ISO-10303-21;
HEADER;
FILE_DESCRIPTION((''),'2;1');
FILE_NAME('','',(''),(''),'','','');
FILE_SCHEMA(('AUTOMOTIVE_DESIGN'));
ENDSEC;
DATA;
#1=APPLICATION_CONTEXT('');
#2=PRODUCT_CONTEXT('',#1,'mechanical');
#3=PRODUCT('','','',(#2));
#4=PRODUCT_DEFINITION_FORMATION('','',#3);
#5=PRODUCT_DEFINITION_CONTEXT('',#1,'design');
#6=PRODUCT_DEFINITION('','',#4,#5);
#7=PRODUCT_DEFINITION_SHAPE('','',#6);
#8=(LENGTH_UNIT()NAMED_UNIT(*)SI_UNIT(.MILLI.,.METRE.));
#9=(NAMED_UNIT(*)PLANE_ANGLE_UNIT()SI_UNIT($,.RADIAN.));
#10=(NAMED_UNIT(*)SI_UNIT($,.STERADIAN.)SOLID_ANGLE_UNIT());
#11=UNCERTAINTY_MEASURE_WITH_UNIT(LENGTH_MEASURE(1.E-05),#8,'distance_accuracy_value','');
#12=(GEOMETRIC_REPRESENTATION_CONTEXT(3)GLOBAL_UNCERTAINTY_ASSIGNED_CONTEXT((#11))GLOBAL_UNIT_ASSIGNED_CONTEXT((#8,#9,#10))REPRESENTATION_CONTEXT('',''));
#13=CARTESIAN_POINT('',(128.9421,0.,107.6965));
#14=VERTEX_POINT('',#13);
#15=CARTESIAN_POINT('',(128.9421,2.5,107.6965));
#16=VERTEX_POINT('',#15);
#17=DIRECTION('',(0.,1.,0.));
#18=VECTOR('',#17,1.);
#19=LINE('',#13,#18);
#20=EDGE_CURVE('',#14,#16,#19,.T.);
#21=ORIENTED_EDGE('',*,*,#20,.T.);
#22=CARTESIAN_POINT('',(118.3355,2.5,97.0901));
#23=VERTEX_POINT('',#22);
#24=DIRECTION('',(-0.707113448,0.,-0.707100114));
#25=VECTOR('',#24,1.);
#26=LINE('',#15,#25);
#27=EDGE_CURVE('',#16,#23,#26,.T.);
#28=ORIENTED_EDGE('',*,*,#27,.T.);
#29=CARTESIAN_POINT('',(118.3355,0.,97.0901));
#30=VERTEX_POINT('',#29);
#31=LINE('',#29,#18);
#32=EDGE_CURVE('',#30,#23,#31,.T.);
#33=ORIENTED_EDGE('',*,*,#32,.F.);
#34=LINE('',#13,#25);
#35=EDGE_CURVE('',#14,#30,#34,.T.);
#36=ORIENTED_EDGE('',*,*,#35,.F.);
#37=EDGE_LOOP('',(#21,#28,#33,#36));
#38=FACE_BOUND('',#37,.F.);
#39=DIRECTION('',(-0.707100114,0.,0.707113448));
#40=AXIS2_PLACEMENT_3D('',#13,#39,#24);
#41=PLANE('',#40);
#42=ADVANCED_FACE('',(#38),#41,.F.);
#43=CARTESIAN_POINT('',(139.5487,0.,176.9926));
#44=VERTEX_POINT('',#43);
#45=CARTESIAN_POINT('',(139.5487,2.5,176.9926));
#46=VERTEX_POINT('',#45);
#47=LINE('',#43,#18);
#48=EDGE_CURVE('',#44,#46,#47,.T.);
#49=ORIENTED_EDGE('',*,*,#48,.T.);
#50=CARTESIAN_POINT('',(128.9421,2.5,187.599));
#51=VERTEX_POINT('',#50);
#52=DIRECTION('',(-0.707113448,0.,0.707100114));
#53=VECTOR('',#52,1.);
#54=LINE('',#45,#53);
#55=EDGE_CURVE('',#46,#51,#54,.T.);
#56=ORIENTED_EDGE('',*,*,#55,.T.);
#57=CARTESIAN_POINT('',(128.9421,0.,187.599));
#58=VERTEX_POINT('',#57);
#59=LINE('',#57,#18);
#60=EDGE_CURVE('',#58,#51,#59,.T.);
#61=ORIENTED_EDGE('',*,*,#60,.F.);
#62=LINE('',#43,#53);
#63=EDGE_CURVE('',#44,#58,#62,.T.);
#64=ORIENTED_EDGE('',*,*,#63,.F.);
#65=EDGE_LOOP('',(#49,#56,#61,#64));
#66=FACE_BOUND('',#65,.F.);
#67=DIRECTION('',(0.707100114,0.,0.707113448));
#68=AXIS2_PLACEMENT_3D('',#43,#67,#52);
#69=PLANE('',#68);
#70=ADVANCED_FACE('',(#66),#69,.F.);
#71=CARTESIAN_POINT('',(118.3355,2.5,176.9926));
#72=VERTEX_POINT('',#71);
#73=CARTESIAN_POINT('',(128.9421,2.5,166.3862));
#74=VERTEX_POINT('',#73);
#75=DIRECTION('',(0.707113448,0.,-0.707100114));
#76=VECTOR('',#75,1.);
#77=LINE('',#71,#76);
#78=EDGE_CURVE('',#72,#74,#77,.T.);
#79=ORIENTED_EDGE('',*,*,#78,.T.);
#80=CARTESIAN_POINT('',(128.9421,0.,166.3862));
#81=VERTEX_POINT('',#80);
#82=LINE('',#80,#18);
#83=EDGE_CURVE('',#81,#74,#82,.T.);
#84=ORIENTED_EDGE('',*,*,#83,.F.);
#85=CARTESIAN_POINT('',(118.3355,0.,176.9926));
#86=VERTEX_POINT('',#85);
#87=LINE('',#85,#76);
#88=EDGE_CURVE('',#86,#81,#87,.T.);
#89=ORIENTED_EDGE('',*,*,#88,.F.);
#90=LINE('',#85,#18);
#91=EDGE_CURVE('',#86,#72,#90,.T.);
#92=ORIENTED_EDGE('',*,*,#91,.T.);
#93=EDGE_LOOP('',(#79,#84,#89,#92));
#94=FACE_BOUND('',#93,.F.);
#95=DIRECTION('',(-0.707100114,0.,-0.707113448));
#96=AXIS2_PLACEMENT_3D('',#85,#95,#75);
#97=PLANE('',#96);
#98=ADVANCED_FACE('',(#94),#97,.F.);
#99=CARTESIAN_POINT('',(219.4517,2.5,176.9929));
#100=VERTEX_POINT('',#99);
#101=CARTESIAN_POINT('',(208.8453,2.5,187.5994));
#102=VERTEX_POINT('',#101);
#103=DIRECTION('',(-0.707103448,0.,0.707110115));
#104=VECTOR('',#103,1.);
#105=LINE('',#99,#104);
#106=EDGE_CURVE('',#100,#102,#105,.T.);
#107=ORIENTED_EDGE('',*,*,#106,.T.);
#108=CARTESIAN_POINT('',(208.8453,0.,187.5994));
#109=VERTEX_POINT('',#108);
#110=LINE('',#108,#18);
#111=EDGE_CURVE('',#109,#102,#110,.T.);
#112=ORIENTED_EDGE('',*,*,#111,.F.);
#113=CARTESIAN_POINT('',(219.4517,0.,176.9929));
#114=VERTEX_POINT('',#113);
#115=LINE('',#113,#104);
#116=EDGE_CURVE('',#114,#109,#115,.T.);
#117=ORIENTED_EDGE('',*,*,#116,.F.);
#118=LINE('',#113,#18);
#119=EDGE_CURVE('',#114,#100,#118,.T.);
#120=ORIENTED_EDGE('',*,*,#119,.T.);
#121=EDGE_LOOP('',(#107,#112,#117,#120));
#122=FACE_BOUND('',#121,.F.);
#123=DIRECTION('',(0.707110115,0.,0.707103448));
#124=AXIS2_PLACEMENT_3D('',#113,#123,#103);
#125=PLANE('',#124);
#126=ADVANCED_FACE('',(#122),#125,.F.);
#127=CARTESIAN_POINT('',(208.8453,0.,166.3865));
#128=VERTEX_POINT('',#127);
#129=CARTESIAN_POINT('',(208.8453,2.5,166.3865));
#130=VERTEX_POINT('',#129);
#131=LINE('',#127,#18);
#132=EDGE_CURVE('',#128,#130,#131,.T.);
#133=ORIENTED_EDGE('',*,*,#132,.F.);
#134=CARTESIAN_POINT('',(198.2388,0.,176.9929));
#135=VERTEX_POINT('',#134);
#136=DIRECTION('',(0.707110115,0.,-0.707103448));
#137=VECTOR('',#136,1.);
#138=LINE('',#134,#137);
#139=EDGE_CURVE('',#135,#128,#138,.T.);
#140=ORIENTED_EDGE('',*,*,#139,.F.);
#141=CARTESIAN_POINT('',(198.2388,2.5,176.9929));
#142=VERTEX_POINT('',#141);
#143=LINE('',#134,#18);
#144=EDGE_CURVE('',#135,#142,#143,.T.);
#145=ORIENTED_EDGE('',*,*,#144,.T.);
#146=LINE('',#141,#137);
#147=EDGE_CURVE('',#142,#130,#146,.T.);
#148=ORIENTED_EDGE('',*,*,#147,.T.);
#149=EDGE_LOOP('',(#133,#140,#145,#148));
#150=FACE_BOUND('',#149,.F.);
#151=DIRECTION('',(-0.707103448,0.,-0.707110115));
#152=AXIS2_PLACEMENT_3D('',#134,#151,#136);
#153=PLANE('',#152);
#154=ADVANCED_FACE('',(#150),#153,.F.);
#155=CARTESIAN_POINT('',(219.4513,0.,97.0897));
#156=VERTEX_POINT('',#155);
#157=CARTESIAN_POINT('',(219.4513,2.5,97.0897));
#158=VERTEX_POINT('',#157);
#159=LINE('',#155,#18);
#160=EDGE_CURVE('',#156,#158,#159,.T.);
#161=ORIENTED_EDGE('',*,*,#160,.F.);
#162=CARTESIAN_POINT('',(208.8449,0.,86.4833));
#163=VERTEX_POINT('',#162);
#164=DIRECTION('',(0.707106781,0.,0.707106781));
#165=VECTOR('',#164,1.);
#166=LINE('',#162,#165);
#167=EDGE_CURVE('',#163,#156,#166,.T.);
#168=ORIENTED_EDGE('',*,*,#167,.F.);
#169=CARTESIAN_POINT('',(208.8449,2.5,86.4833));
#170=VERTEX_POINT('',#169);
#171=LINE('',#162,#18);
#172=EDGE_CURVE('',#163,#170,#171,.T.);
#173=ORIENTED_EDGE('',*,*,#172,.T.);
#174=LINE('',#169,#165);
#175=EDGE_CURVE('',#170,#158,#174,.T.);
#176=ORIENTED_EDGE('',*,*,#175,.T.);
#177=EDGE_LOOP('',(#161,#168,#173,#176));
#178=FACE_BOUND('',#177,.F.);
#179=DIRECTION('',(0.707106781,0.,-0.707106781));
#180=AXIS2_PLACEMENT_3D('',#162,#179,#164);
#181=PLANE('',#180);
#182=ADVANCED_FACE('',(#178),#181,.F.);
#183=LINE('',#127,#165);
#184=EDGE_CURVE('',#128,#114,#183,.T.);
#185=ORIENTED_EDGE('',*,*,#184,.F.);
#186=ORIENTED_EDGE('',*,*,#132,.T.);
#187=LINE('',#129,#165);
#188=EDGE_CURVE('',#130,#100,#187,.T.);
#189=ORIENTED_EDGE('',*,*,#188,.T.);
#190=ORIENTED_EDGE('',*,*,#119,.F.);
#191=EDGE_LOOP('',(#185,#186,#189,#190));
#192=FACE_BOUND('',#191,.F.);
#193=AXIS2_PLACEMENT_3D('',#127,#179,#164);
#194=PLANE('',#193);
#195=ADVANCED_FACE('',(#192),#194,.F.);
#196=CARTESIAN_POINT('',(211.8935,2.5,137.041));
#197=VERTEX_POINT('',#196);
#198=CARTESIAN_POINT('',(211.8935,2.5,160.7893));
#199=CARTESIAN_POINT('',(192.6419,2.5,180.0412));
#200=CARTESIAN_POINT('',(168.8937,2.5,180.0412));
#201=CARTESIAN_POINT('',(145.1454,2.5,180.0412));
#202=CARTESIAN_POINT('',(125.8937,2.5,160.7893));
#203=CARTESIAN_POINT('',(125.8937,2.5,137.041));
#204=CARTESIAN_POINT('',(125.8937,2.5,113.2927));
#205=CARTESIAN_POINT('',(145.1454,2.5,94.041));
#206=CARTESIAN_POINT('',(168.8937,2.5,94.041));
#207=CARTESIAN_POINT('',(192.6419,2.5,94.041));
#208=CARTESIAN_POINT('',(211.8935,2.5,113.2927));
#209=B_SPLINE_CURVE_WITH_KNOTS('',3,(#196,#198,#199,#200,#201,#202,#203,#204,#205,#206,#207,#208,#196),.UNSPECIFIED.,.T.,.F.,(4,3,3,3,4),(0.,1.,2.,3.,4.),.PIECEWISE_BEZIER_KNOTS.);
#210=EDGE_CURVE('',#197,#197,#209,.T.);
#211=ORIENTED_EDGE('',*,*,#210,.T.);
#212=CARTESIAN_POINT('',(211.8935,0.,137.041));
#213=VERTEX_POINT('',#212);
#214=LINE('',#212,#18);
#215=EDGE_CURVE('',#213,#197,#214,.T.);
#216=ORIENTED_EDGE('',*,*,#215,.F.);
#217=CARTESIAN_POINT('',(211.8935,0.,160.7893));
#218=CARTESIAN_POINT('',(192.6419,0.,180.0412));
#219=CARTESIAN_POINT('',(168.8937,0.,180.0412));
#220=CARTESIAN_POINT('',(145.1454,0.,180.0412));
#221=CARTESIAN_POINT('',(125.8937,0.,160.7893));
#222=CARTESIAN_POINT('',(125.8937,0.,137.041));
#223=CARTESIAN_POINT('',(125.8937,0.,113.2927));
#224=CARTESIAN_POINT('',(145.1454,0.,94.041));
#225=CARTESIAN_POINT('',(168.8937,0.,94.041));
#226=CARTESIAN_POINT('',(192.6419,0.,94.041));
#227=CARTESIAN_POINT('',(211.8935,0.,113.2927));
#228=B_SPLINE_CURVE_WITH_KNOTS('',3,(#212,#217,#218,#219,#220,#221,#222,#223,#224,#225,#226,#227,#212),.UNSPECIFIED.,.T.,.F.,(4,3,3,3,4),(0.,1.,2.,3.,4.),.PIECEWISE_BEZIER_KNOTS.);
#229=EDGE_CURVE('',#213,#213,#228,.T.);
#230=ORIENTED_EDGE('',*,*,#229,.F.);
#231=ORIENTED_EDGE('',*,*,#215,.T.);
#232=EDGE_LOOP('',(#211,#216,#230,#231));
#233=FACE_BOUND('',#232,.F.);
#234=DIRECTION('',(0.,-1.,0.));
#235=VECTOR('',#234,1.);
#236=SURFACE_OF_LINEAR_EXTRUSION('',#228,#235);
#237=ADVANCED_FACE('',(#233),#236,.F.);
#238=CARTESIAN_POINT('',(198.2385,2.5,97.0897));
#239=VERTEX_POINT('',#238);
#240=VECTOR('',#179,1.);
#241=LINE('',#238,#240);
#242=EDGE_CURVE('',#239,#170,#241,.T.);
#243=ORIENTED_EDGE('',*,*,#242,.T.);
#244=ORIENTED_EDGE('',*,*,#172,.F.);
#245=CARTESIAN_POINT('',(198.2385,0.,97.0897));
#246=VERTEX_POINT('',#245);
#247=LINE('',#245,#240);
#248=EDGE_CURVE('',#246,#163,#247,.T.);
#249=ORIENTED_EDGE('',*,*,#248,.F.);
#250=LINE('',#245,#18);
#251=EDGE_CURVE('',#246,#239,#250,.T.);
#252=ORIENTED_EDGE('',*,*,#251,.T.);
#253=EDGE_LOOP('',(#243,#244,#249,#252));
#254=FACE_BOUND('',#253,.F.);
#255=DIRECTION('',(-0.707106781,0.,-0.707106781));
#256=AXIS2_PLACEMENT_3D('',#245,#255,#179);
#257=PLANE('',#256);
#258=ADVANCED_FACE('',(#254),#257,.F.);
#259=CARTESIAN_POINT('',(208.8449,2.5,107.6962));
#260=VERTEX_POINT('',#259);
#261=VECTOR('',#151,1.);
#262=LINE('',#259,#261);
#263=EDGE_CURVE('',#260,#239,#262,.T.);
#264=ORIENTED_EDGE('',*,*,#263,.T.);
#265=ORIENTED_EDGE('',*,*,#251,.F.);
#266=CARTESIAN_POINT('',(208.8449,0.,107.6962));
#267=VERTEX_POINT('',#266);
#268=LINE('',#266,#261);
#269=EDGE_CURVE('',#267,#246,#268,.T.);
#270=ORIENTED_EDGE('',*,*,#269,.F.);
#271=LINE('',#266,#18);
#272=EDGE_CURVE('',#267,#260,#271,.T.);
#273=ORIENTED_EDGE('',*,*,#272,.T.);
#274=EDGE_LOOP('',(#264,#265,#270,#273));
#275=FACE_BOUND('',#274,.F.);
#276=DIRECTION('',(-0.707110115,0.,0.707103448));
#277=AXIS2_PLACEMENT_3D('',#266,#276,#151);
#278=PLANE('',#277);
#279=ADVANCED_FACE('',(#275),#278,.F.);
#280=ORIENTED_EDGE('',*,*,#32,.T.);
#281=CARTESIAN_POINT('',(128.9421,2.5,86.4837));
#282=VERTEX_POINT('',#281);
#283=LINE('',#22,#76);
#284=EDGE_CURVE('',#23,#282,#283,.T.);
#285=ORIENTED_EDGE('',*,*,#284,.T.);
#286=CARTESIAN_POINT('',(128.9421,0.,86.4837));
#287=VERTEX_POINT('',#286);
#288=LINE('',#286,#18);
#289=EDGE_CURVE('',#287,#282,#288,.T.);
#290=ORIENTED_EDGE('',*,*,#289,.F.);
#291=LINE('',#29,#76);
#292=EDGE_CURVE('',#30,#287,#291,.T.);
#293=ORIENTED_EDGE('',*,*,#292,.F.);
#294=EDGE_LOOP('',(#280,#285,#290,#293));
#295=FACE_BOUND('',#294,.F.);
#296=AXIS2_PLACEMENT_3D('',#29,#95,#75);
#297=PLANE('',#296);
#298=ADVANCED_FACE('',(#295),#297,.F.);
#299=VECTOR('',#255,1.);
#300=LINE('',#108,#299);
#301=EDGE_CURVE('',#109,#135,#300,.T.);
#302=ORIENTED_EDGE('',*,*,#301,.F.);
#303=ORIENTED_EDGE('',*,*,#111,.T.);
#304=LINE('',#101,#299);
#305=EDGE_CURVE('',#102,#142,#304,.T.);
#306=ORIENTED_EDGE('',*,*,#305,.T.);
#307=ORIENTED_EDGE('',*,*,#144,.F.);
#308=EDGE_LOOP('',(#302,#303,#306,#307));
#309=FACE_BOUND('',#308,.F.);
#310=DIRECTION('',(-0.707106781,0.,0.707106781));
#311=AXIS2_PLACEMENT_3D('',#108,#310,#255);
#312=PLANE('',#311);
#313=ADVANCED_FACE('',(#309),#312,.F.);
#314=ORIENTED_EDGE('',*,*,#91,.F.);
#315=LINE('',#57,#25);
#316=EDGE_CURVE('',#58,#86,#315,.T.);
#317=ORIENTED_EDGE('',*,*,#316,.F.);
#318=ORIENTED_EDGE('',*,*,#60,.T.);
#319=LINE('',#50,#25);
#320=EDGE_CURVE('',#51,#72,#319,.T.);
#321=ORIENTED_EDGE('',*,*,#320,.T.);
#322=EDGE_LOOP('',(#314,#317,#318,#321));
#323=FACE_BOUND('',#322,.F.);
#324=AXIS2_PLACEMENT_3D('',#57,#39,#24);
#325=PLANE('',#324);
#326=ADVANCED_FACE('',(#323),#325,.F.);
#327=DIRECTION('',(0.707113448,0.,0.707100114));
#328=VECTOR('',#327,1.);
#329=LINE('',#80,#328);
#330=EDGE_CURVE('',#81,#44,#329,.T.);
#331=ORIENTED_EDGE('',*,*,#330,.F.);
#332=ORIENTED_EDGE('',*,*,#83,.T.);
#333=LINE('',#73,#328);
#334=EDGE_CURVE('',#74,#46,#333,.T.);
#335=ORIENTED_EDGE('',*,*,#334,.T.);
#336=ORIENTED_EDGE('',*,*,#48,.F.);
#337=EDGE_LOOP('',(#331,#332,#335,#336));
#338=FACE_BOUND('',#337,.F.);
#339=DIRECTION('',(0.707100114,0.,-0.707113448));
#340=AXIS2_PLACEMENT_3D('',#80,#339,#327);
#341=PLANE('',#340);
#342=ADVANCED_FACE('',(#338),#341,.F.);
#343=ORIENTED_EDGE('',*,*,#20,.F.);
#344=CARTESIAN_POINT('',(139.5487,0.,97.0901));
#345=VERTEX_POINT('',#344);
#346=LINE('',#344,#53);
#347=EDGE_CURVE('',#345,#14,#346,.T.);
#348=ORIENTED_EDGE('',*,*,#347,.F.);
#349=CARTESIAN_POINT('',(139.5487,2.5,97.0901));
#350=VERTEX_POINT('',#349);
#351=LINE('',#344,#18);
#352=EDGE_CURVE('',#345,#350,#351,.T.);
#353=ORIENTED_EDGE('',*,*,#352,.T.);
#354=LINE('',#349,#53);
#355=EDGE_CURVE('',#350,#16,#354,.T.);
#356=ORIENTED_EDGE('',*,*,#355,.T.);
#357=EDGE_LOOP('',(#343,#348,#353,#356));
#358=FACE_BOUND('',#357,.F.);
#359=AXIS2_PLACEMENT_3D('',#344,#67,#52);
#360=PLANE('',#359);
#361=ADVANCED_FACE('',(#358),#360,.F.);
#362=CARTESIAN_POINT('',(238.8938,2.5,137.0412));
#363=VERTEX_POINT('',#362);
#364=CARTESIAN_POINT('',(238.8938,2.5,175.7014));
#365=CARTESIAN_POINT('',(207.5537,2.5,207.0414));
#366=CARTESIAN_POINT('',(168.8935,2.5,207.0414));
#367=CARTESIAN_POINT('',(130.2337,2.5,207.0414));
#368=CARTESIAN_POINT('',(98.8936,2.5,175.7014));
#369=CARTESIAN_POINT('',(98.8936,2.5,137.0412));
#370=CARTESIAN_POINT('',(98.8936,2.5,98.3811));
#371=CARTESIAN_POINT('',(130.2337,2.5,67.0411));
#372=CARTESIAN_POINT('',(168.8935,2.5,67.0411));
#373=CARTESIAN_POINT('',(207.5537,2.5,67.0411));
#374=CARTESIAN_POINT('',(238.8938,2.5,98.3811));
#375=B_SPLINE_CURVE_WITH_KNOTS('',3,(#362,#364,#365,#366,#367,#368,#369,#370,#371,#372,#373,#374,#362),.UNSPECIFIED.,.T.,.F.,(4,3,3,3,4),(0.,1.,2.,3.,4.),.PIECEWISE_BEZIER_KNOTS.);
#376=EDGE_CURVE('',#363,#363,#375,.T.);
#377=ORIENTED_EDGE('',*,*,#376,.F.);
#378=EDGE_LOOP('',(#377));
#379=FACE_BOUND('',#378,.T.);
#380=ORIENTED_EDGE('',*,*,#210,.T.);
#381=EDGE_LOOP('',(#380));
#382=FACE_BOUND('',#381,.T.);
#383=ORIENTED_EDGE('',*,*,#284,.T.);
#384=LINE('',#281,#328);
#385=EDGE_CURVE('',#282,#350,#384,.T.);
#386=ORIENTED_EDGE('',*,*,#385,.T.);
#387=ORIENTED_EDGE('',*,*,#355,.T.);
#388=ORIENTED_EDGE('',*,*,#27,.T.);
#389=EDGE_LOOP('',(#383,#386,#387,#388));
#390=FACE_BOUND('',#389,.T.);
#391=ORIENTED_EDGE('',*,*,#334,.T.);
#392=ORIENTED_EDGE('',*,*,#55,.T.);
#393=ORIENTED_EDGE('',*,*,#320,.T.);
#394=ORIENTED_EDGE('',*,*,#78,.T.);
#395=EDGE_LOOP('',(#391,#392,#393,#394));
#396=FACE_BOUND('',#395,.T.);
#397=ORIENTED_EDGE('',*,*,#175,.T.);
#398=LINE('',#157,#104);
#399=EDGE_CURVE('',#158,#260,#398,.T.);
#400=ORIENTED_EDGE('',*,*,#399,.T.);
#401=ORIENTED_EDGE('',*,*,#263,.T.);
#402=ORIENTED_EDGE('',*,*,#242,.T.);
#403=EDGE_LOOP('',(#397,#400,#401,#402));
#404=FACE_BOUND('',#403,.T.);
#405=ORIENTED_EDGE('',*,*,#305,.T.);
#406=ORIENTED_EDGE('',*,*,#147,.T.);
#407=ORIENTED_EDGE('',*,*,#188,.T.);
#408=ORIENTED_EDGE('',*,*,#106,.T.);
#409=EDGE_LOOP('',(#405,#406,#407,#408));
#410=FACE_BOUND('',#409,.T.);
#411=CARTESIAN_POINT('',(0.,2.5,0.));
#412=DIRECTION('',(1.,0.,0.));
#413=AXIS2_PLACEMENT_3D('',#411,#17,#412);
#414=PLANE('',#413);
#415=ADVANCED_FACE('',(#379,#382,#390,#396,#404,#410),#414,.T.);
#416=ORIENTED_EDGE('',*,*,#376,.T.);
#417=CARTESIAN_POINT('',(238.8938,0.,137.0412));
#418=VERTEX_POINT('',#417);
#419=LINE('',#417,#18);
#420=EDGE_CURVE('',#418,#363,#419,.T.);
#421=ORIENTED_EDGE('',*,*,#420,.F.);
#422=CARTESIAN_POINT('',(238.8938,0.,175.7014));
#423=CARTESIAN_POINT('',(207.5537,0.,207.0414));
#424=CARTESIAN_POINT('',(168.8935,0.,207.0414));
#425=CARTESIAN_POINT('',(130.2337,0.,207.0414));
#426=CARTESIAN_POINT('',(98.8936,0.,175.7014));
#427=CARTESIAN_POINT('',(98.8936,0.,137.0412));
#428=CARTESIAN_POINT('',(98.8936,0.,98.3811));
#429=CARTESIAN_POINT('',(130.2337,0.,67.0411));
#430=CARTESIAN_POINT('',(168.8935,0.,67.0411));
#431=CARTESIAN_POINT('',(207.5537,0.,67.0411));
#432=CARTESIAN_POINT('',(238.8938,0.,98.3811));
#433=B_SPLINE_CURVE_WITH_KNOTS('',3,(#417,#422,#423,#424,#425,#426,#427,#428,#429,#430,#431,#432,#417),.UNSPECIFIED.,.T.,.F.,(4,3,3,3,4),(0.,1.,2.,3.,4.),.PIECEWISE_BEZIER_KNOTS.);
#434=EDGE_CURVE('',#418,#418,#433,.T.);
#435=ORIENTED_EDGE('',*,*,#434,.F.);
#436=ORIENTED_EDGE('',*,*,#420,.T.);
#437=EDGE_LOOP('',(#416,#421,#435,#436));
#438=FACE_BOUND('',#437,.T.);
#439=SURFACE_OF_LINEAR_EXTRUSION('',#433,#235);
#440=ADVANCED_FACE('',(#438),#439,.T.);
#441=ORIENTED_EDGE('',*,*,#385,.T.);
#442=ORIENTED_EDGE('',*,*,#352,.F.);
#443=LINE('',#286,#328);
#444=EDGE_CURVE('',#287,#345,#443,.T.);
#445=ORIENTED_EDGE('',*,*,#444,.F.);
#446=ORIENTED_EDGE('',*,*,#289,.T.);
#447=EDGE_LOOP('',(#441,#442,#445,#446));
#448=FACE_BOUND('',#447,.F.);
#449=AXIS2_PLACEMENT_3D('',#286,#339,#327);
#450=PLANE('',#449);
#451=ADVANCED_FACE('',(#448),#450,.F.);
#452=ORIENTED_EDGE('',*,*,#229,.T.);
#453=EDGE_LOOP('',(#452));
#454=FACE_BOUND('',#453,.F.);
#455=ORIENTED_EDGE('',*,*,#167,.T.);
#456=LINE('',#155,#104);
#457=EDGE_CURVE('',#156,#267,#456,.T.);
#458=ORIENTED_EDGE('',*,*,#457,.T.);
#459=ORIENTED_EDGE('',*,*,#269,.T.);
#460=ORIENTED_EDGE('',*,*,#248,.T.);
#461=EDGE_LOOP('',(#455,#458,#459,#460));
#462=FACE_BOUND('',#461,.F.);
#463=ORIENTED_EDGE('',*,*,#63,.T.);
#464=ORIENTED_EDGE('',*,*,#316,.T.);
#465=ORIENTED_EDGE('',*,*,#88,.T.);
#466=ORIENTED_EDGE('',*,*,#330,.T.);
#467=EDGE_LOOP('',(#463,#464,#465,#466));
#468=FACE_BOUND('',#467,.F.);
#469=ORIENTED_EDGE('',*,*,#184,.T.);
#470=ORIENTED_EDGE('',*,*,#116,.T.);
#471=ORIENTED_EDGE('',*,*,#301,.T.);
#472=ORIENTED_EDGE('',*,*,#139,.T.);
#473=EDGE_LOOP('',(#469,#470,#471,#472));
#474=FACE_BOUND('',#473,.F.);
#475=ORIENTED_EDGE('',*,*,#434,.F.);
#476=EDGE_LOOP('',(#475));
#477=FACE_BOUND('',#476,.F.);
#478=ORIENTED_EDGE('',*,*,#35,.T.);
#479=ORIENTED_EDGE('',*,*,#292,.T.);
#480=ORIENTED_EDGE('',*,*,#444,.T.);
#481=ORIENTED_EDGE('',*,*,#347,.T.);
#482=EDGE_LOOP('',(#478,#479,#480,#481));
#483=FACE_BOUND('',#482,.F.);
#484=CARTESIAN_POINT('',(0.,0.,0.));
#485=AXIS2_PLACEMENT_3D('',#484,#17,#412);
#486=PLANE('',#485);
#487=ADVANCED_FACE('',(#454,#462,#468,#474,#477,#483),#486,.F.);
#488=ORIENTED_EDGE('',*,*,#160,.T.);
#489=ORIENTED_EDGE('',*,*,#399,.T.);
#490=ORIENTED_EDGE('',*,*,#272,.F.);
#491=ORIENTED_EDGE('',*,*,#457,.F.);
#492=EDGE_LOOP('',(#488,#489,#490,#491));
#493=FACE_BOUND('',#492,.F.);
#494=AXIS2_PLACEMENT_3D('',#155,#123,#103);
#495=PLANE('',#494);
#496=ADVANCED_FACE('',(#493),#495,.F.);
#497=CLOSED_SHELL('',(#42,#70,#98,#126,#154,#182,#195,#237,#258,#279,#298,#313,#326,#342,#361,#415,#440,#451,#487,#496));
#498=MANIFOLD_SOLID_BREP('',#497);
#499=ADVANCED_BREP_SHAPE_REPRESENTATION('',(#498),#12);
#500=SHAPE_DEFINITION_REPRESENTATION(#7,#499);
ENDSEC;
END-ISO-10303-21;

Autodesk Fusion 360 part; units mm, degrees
sketch "スケッチ1" plane through (0, 0, 0) normal (0, 1, 0) x (1, 0, 0)
  line L0 (198.2385, -97.0897) -> (208.8449, -86.4833)
  line L1 (118.3355, -176.9926) -> (128.9421, -166.3862)
  spline S0 degree 3 poles (211.8935, -137.041) (211.8935, -160.7893) (192.6419, -180.0412) (168.8937, -180.0412) (145.1454, -180.0412) (125.8937, -160.7893) (125.8937, -137.041) (125.8937, -113.2927) (145.1454, -94.041) (168.8937, -94.041) (192.6419, -94.041) (211.8935, -113.2927) (211.8935, -137.041) knots 0 0 0 0 1 1 1 2 2 2 3 3 3 4 4 4 4
  line L2 (128.9421, -107.6965) -> (118.3355, -97.0901)
  line L3 (139.5487, -176.9926) -> (128.9421, -187.599)
  line L4 (208.8453, -187.5994) -> (198.2388, -176.9929)
  line L5 (208.8449, -86.4833) -> (219.4513, -97.0897)
  line L6 (128.9421, -187.599) -> (118.3355, -176.9926)
  line L7 (208.8453, -166.3865) -> (219.4517, -176.9929)
  line L8 (219.4517, -176.9929) -> (208.8453, -187.5994)
  line L9 (128.9421, -166.3862) -> (139.5487, -176.9926)
  line L10 (198.2388, -176.9929) -> (208.8453, -166.3865)
  line L11 (208.8449, -107.6962) -> (198.2385, -97.0897)
  line L12 (128.9421, -86.4837) -> (139.5487, -97.0901)
  line L13 (118.3355, -97.0901) -> (128.9421, -86.4837)
  line L14 (219.4513, -97.0897) -> (208.8449, -107.6962)
  line L15 (139.5487, -97.0901) -> (128.9421, -107.6965)
  spline S1 degree 3 poles (238.8938, -137.0412) (238.8938, -175.7014) (207.5537, -207.0414) (168.8935, -207.0414) (130.2337, -207.0414) (98.8936, -175.7014) (98.8936, -137.0412) (98.8936, -98.3811) (130.2337, -67.0411) (168.8935, -67.0411) (207.5537, -67.0411) (238.8938, -98.3811) (238.8938, -137.0412) knots 0 0 0 0 1 1 1 2 2 2 3 3 3 4 4 4 4
extrude "押し出し1" add sketch "スケッチ1" along normal blind 2.5
